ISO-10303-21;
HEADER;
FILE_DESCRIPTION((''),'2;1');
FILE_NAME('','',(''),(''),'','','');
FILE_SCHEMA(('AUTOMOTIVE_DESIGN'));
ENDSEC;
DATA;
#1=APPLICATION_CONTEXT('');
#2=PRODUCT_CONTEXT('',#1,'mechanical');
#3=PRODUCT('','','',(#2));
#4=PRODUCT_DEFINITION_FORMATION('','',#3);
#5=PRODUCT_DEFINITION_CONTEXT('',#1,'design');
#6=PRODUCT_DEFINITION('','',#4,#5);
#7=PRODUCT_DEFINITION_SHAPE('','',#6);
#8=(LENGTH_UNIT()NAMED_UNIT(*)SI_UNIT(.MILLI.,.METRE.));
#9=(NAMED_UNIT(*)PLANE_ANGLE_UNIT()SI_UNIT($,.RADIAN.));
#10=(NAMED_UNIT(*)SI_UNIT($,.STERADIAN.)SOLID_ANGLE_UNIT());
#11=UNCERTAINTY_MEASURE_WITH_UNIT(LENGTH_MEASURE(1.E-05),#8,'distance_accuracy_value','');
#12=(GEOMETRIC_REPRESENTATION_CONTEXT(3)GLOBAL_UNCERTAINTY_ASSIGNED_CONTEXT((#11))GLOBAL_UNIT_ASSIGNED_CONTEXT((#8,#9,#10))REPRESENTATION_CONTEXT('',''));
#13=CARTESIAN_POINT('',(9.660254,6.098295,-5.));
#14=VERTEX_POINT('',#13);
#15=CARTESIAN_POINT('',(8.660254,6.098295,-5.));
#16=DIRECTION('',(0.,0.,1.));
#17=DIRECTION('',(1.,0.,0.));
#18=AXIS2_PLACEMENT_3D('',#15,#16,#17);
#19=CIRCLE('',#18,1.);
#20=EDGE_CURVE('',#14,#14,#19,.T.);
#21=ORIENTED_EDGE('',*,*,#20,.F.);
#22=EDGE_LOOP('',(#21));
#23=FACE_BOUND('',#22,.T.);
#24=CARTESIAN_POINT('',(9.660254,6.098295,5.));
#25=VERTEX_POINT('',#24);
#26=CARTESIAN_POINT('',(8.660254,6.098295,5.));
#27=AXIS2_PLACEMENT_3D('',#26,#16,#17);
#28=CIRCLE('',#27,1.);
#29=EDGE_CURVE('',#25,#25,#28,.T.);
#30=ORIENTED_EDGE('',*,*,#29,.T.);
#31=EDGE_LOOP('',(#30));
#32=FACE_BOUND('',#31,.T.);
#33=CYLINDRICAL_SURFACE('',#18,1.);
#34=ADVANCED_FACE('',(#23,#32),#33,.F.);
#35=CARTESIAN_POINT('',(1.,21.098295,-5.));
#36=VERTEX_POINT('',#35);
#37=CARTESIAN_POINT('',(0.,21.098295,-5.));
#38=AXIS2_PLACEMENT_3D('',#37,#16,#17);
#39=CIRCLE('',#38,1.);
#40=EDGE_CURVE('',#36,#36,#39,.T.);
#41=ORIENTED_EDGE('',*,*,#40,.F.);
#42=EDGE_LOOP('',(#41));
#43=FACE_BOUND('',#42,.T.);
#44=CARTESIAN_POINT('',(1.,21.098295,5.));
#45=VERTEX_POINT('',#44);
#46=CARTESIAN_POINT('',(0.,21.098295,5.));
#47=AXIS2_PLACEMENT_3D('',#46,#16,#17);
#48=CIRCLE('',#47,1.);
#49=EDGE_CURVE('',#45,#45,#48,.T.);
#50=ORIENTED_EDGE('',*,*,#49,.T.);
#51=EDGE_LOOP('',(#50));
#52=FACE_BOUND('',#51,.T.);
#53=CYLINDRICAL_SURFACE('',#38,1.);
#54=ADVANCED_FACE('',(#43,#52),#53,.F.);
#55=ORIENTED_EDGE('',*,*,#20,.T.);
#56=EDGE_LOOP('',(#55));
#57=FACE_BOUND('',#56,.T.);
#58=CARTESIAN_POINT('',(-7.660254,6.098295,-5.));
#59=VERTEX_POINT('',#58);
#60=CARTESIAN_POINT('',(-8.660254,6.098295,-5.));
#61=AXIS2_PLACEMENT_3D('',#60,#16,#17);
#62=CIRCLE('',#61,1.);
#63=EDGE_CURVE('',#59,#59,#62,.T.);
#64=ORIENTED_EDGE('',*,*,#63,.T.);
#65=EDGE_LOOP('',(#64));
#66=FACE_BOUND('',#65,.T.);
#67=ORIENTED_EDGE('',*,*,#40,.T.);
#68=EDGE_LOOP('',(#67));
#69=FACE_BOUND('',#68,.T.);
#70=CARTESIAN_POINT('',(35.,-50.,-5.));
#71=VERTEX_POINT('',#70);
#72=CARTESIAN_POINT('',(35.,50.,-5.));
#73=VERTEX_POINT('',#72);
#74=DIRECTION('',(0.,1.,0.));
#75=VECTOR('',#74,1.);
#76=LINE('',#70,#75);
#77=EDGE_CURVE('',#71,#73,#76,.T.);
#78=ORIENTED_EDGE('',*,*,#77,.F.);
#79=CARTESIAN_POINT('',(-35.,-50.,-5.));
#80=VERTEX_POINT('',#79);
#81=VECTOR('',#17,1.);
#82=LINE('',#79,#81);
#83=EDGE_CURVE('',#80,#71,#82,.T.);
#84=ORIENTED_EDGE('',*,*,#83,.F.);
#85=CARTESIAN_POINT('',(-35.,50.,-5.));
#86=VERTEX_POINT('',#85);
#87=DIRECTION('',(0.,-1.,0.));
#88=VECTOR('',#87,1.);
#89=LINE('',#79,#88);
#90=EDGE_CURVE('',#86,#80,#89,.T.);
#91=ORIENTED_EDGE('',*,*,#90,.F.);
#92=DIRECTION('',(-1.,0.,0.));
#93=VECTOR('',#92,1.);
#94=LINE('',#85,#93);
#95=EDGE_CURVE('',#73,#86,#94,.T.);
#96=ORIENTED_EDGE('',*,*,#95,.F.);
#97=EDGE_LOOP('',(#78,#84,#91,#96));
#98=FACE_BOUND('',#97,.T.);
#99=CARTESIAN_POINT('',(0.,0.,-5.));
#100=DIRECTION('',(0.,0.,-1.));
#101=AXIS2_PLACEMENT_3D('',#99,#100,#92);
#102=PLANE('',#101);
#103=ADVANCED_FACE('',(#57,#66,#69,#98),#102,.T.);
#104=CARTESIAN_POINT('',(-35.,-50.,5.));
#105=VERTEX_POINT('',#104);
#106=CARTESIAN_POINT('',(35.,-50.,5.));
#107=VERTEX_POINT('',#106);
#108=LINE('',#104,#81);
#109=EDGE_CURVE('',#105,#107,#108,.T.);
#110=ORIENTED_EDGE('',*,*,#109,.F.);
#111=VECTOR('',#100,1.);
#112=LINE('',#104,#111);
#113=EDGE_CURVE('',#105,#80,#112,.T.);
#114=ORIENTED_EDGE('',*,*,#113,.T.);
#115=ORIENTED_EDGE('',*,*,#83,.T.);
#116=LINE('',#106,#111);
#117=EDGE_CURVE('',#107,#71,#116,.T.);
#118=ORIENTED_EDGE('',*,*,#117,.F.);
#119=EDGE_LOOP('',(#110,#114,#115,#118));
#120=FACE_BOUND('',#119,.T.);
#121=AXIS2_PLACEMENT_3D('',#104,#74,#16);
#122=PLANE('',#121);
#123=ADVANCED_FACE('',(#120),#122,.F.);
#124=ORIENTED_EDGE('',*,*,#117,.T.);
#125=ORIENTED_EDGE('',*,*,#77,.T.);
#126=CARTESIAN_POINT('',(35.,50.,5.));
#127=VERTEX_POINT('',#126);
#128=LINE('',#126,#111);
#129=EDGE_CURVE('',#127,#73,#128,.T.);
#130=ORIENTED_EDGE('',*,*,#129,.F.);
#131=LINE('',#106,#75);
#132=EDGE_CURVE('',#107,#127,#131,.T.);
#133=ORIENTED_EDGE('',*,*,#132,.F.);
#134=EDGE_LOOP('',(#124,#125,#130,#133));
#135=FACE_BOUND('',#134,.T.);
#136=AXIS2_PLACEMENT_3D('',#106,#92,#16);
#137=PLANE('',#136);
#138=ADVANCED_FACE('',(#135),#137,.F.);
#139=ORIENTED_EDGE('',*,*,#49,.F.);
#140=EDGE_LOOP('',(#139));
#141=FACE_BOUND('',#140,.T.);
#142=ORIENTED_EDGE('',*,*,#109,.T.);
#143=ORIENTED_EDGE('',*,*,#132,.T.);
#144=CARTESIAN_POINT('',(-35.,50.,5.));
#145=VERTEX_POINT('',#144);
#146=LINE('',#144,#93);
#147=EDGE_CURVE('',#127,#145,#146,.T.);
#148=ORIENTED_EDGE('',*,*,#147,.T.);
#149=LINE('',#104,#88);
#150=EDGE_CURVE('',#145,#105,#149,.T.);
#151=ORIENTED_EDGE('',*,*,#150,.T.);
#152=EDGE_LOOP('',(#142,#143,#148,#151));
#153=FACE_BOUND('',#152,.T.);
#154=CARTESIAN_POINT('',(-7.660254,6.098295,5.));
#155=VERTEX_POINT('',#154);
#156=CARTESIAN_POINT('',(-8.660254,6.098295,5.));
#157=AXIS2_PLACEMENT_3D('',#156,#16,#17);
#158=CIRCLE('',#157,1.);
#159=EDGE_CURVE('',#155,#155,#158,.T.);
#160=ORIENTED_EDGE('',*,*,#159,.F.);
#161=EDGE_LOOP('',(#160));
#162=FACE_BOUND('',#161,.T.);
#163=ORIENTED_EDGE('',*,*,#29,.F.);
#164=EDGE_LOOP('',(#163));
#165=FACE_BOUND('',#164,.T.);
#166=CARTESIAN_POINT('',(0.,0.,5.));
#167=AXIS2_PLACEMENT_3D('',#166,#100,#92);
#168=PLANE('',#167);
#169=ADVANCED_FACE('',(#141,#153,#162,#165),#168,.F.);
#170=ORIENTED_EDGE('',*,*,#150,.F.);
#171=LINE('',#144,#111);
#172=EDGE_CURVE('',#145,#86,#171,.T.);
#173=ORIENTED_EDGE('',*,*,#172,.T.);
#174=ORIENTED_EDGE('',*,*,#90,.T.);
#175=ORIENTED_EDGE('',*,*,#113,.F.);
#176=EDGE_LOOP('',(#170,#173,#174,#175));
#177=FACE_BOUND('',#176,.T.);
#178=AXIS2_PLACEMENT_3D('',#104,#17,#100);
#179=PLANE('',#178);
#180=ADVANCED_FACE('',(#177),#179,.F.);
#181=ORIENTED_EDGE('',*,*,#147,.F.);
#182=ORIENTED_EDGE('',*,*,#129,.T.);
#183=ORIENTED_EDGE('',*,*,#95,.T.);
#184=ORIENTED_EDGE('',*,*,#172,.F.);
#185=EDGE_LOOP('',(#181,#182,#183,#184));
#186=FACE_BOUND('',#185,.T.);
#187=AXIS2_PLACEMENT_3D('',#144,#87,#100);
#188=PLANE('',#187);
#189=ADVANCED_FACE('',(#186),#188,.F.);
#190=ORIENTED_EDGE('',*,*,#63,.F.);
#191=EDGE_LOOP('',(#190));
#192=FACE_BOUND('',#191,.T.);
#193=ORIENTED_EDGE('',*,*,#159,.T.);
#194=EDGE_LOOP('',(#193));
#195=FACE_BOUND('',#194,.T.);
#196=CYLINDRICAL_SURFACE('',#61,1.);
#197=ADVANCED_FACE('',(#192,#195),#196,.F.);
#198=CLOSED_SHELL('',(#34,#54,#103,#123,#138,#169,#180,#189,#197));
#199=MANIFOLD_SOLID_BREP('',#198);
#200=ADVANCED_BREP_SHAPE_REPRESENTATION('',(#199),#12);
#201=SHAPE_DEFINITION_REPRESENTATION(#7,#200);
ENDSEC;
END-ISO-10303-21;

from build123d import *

# Parameters (mm, degrees)
SKETCH1_W           = 70
SKETCH1_H           = 100
BOSS_EXTRUDE1_DEPTH = 5
SKETCH2_R           = 1
CUT_EXTRUDE1_DEPTH  = 62.846584384


with BuildPart() as part:
    # Sketch1 → Boss-Extrude1 (new, symmetric)
    with BuildSketch(Plane.XY):
        Rectangle(SKETCH1_W, SKETCH1_H)
    extrude(amount=BOSS_EXTRUDE1_DEPTH, both=True)

    # Sketch2 → Cut-Extrude1 (cut, through all)
    with BuildSketch(Plane.XY.offset(5)):
        with Locations((0, 21.098295345)):
            Circle(SKETCH2_R)
        with Locations((8.660254038, 6.098295345)):
            Circle(SKETCH2_R)
        with Locations((-8.660254038, 6.098295345)):
            Circle(SKETCH2_R)
    extrude(amount=-CUT_EXTRUDE1_DEPTH, mode=Mode.SUBTRACT)


solid = part.part
